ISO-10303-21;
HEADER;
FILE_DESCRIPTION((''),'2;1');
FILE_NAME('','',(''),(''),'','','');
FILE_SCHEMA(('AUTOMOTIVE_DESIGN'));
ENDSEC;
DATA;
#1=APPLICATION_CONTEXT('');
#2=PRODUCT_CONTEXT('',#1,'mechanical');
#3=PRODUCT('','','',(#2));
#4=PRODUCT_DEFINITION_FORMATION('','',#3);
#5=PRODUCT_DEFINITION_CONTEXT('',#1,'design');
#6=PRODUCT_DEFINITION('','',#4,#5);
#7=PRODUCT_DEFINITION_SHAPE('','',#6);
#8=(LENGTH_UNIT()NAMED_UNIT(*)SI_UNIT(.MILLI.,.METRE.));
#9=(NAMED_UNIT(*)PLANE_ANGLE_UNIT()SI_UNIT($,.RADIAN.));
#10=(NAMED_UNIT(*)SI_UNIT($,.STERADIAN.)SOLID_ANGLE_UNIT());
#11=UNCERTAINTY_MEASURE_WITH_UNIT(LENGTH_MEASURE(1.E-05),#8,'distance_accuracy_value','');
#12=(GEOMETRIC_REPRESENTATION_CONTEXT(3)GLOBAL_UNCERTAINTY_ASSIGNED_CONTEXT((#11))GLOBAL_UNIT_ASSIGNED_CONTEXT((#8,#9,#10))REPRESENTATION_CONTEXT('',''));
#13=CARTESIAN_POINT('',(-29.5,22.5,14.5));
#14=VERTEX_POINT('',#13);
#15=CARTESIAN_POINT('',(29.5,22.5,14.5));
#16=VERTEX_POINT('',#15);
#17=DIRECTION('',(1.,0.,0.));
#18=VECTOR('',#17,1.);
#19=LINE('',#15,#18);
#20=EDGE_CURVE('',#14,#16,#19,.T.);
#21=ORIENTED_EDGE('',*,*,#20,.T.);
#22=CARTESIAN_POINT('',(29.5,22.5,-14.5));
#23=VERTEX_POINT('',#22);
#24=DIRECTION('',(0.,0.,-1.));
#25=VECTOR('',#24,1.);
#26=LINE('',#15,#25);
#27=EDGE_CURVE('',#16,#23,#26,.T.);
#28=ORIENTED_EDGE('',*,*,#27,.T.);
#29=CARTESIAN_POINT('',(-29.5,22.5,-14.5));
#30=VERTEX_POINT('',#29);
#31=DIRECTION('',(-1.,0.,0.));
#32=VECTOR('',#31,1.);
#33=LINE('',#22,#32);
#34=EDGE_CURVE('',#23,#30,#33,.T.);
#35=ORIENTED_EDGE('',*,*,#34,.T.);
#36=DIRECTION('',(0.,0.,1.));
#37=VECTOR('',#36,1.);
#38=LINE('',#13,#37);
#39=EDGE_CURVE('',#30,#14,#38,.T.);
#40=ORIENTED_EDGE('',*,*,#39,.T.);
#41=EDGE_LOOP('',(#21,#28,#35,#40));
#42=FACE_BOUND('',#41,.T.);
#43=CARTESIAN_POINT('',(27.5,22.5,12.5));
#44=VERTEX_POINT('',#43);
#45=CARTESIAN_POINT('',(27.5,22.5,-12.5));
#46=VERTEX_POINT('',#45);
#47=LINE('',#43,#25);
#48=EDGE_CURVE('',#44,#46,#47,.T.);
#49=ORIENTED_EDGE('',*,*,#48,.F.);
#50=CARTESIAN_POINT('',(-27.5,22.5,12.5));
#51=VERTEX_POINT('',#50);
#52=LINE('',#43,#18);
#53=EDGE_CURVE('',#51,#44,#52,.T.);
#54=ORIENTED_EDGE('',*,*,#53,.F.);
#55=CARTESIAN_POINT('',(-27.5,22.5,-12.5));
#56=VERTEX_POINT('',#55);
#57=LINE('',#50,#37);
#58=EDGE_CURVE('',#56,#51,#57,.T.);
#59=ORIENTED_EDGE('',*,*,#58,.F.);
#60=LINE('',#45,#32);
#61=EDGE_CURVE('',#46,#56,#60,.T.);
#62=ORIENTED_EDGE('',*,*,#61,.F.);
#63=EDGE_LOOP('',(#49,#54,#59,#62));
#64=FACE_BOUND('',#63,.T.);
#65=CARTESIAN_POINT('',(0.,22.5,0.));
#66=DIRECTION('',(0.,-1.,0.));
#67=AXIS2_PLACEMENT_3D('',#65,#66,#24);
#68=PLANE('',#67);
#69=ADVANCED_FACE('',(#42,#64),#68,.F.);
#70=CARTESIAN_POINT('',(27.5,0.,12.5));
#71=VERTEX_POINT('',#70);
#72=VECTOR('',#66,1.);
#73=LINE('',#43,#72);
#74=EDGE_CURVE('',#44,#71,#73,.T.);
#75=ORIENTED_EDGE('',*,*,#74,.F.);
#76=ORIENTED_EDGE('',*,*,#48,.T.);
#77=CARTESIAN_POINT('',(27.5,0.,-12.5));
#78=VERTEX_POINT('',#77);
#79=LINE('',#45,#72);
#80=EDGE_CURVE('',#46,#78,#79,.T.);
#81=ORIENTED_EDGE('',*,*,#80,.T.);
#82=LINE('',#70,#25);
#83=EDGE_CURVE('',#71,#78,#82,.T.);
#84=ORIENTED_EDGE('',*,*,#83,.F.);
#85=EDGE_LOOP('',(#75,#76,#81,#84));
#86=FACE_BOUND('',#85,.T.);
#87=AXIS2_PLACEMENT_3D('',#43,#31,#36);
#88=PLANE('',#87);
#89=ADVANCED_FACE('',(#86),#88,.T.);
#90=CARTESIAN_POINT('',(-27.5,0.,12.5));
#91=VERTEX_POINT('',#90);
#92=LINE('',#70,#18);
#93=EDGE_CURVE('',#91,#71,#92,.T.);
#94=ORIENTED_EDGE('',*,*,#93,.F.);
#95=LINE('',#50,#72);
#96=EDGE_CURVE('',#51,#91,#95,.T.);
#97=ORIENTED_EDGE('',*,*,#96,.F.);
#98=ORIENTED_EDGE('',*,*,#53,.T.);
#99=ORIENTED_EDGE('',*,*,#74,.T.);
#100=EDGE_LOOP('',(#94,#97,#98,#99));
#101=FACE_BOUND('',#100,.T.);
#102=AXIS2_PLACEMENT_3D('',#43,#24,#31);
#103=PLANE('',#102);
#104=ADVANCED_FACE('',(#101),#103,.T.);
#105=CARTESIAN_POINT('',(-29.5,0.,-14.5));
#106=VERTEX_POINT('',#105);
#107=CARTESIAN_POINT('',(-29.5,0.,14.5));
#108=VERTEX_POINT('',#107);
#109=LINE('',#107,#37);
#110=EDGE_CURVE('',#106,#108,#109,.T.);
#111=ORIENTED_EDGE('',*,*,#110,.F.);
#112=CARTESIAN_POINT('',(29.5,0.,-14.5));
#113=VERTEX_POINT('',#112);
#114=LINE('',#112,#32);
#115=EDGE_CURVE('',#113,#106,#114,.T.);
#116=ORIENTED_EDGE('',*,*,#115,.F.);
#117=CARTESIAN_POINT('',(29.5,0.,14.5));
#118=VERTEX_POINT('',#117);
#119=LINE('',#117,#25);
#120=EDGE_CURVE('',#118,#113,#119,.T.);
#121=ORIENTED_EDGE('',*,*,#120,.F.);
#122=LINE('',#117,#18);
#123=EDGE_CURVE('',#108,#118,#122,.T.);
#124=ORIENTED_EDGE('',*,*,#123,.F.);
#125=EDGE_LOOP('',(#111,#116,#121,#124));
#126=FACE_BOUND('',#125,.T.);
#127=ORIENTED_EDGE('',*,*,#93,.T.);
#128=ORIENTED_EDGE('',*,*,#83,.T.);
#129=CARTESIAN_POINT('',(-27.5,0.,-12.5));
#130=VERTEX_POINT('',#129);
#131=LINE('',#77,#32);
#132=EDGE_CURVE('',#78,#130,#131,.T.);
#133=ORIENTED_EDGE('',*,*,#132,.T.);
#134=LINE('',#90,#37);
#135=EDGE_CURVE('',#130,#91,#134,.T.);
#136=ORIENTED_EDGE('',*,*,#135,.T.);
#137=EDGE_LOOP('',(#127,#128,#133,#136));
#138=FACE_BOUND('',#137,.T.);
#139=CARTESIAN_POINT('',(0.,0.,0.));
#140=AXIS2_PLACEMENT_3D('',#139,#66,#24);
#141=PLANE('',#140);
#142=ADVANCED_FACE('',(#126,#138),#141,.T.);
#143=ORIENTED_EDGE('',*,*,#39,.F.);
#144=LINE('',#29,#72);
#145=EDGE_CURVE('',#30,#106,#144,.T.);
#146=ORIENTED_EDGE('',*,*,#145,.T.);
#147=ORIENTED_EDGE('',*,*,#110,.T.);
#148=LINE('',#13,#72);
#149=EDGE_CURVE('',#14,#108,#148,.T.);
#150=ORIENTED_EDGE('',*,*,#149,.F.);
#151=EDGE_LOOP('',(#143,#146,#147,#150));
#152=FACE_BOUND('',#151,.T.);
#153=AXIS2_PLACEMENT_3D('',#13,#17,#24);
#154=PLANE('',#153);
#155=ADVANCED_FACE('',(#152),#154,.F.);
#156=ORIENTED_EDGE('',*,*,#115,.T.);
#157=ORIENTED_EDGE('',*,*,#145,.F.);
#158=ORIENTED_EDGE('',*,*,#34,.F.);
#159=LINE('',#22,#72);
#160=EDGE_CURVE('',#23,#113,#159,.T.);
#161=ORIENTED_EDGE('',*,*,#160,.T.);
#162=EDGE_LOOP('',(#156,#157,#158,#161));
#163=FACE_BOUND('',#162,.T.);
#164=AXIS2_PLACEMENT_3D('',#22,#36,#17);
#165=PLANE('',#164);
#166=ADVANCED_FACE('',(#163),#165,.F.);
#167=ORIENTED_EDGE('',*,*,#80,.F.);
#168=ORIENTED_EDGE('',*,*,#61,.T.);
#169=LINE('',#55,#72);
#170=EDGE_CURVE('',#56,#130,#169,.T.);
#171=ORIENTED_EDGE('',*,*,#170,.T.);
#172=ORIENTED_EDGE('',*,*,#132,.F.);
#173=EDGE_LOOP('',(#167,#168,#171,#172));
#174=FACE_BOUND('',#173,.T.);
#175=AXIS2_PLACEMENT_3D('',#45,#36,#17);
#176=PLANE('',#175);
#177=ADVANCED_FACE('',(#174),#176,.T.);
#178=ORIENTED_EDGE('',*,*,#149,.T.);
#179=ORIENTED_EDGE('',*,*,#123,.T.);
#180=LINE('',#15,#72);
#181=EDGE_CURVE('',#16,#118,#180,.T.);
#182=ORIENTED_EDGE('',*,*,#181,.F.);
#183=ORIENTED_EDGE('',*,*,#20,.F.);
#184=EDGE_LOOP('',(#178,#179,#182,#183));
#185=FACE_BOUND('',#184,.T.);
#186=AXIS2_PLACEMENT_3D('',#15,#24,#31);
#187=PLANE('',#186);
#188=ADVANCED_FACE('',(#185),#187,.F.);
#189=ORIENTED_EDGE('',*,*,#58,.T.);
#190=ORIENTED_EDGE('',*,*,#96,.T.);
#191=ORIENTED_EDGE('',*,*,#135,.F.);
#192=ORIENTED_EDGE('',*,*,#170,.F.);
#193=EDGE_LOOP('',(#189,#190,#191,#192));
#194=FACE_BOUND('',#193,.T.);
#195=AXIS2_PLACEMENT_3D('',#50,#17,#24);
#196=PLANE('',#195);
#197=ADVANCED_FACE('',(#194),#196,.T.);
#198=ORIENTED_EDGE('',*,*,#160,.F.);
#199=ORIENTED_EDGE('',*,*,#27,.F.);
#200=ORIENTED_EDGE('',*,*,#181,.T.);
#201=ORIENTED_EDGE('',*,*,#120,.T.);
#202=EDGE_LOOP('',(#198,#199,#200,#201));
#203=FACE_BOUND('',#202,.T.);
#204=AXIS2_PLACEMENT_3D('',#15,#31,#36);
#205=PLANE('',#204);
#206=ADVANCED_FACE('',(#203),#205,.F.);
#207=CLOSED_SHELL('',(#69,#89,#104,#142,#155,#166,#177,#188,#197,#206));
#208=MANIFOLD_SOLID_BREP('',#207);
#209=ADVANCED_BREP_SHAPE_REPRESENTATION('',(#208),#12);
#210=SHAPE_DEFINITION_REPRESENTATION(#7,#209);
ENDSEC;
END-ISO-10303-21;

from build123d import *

# Parameters (mm, degrees)
SKETCH1_W           = 59
SKETCH1_H           = 29
SKETCH1_W_2         = 55
SKETCH1_H_2         = 25
BOSS_EXTRUDE1_DEPTH = 22.5


with BuildPart() as part:
    # Sketch1 → Boss-Extrude1 (new body)
    with BuildSketch(Plane(origin=(0, 0, 0), x_dir=(1, 0, 0), z_dir=(0, 1, 0))):
        Rectangle(SKETCH1_W, SKETCH1_H)
        Rectangle(SKETCH1_W_2, SKETCH1_H_2, mode=Mode.SUBTRACT)
    extrude(amount=BOSS_EXTRUDE1_DEPTH)


solid = part.part
